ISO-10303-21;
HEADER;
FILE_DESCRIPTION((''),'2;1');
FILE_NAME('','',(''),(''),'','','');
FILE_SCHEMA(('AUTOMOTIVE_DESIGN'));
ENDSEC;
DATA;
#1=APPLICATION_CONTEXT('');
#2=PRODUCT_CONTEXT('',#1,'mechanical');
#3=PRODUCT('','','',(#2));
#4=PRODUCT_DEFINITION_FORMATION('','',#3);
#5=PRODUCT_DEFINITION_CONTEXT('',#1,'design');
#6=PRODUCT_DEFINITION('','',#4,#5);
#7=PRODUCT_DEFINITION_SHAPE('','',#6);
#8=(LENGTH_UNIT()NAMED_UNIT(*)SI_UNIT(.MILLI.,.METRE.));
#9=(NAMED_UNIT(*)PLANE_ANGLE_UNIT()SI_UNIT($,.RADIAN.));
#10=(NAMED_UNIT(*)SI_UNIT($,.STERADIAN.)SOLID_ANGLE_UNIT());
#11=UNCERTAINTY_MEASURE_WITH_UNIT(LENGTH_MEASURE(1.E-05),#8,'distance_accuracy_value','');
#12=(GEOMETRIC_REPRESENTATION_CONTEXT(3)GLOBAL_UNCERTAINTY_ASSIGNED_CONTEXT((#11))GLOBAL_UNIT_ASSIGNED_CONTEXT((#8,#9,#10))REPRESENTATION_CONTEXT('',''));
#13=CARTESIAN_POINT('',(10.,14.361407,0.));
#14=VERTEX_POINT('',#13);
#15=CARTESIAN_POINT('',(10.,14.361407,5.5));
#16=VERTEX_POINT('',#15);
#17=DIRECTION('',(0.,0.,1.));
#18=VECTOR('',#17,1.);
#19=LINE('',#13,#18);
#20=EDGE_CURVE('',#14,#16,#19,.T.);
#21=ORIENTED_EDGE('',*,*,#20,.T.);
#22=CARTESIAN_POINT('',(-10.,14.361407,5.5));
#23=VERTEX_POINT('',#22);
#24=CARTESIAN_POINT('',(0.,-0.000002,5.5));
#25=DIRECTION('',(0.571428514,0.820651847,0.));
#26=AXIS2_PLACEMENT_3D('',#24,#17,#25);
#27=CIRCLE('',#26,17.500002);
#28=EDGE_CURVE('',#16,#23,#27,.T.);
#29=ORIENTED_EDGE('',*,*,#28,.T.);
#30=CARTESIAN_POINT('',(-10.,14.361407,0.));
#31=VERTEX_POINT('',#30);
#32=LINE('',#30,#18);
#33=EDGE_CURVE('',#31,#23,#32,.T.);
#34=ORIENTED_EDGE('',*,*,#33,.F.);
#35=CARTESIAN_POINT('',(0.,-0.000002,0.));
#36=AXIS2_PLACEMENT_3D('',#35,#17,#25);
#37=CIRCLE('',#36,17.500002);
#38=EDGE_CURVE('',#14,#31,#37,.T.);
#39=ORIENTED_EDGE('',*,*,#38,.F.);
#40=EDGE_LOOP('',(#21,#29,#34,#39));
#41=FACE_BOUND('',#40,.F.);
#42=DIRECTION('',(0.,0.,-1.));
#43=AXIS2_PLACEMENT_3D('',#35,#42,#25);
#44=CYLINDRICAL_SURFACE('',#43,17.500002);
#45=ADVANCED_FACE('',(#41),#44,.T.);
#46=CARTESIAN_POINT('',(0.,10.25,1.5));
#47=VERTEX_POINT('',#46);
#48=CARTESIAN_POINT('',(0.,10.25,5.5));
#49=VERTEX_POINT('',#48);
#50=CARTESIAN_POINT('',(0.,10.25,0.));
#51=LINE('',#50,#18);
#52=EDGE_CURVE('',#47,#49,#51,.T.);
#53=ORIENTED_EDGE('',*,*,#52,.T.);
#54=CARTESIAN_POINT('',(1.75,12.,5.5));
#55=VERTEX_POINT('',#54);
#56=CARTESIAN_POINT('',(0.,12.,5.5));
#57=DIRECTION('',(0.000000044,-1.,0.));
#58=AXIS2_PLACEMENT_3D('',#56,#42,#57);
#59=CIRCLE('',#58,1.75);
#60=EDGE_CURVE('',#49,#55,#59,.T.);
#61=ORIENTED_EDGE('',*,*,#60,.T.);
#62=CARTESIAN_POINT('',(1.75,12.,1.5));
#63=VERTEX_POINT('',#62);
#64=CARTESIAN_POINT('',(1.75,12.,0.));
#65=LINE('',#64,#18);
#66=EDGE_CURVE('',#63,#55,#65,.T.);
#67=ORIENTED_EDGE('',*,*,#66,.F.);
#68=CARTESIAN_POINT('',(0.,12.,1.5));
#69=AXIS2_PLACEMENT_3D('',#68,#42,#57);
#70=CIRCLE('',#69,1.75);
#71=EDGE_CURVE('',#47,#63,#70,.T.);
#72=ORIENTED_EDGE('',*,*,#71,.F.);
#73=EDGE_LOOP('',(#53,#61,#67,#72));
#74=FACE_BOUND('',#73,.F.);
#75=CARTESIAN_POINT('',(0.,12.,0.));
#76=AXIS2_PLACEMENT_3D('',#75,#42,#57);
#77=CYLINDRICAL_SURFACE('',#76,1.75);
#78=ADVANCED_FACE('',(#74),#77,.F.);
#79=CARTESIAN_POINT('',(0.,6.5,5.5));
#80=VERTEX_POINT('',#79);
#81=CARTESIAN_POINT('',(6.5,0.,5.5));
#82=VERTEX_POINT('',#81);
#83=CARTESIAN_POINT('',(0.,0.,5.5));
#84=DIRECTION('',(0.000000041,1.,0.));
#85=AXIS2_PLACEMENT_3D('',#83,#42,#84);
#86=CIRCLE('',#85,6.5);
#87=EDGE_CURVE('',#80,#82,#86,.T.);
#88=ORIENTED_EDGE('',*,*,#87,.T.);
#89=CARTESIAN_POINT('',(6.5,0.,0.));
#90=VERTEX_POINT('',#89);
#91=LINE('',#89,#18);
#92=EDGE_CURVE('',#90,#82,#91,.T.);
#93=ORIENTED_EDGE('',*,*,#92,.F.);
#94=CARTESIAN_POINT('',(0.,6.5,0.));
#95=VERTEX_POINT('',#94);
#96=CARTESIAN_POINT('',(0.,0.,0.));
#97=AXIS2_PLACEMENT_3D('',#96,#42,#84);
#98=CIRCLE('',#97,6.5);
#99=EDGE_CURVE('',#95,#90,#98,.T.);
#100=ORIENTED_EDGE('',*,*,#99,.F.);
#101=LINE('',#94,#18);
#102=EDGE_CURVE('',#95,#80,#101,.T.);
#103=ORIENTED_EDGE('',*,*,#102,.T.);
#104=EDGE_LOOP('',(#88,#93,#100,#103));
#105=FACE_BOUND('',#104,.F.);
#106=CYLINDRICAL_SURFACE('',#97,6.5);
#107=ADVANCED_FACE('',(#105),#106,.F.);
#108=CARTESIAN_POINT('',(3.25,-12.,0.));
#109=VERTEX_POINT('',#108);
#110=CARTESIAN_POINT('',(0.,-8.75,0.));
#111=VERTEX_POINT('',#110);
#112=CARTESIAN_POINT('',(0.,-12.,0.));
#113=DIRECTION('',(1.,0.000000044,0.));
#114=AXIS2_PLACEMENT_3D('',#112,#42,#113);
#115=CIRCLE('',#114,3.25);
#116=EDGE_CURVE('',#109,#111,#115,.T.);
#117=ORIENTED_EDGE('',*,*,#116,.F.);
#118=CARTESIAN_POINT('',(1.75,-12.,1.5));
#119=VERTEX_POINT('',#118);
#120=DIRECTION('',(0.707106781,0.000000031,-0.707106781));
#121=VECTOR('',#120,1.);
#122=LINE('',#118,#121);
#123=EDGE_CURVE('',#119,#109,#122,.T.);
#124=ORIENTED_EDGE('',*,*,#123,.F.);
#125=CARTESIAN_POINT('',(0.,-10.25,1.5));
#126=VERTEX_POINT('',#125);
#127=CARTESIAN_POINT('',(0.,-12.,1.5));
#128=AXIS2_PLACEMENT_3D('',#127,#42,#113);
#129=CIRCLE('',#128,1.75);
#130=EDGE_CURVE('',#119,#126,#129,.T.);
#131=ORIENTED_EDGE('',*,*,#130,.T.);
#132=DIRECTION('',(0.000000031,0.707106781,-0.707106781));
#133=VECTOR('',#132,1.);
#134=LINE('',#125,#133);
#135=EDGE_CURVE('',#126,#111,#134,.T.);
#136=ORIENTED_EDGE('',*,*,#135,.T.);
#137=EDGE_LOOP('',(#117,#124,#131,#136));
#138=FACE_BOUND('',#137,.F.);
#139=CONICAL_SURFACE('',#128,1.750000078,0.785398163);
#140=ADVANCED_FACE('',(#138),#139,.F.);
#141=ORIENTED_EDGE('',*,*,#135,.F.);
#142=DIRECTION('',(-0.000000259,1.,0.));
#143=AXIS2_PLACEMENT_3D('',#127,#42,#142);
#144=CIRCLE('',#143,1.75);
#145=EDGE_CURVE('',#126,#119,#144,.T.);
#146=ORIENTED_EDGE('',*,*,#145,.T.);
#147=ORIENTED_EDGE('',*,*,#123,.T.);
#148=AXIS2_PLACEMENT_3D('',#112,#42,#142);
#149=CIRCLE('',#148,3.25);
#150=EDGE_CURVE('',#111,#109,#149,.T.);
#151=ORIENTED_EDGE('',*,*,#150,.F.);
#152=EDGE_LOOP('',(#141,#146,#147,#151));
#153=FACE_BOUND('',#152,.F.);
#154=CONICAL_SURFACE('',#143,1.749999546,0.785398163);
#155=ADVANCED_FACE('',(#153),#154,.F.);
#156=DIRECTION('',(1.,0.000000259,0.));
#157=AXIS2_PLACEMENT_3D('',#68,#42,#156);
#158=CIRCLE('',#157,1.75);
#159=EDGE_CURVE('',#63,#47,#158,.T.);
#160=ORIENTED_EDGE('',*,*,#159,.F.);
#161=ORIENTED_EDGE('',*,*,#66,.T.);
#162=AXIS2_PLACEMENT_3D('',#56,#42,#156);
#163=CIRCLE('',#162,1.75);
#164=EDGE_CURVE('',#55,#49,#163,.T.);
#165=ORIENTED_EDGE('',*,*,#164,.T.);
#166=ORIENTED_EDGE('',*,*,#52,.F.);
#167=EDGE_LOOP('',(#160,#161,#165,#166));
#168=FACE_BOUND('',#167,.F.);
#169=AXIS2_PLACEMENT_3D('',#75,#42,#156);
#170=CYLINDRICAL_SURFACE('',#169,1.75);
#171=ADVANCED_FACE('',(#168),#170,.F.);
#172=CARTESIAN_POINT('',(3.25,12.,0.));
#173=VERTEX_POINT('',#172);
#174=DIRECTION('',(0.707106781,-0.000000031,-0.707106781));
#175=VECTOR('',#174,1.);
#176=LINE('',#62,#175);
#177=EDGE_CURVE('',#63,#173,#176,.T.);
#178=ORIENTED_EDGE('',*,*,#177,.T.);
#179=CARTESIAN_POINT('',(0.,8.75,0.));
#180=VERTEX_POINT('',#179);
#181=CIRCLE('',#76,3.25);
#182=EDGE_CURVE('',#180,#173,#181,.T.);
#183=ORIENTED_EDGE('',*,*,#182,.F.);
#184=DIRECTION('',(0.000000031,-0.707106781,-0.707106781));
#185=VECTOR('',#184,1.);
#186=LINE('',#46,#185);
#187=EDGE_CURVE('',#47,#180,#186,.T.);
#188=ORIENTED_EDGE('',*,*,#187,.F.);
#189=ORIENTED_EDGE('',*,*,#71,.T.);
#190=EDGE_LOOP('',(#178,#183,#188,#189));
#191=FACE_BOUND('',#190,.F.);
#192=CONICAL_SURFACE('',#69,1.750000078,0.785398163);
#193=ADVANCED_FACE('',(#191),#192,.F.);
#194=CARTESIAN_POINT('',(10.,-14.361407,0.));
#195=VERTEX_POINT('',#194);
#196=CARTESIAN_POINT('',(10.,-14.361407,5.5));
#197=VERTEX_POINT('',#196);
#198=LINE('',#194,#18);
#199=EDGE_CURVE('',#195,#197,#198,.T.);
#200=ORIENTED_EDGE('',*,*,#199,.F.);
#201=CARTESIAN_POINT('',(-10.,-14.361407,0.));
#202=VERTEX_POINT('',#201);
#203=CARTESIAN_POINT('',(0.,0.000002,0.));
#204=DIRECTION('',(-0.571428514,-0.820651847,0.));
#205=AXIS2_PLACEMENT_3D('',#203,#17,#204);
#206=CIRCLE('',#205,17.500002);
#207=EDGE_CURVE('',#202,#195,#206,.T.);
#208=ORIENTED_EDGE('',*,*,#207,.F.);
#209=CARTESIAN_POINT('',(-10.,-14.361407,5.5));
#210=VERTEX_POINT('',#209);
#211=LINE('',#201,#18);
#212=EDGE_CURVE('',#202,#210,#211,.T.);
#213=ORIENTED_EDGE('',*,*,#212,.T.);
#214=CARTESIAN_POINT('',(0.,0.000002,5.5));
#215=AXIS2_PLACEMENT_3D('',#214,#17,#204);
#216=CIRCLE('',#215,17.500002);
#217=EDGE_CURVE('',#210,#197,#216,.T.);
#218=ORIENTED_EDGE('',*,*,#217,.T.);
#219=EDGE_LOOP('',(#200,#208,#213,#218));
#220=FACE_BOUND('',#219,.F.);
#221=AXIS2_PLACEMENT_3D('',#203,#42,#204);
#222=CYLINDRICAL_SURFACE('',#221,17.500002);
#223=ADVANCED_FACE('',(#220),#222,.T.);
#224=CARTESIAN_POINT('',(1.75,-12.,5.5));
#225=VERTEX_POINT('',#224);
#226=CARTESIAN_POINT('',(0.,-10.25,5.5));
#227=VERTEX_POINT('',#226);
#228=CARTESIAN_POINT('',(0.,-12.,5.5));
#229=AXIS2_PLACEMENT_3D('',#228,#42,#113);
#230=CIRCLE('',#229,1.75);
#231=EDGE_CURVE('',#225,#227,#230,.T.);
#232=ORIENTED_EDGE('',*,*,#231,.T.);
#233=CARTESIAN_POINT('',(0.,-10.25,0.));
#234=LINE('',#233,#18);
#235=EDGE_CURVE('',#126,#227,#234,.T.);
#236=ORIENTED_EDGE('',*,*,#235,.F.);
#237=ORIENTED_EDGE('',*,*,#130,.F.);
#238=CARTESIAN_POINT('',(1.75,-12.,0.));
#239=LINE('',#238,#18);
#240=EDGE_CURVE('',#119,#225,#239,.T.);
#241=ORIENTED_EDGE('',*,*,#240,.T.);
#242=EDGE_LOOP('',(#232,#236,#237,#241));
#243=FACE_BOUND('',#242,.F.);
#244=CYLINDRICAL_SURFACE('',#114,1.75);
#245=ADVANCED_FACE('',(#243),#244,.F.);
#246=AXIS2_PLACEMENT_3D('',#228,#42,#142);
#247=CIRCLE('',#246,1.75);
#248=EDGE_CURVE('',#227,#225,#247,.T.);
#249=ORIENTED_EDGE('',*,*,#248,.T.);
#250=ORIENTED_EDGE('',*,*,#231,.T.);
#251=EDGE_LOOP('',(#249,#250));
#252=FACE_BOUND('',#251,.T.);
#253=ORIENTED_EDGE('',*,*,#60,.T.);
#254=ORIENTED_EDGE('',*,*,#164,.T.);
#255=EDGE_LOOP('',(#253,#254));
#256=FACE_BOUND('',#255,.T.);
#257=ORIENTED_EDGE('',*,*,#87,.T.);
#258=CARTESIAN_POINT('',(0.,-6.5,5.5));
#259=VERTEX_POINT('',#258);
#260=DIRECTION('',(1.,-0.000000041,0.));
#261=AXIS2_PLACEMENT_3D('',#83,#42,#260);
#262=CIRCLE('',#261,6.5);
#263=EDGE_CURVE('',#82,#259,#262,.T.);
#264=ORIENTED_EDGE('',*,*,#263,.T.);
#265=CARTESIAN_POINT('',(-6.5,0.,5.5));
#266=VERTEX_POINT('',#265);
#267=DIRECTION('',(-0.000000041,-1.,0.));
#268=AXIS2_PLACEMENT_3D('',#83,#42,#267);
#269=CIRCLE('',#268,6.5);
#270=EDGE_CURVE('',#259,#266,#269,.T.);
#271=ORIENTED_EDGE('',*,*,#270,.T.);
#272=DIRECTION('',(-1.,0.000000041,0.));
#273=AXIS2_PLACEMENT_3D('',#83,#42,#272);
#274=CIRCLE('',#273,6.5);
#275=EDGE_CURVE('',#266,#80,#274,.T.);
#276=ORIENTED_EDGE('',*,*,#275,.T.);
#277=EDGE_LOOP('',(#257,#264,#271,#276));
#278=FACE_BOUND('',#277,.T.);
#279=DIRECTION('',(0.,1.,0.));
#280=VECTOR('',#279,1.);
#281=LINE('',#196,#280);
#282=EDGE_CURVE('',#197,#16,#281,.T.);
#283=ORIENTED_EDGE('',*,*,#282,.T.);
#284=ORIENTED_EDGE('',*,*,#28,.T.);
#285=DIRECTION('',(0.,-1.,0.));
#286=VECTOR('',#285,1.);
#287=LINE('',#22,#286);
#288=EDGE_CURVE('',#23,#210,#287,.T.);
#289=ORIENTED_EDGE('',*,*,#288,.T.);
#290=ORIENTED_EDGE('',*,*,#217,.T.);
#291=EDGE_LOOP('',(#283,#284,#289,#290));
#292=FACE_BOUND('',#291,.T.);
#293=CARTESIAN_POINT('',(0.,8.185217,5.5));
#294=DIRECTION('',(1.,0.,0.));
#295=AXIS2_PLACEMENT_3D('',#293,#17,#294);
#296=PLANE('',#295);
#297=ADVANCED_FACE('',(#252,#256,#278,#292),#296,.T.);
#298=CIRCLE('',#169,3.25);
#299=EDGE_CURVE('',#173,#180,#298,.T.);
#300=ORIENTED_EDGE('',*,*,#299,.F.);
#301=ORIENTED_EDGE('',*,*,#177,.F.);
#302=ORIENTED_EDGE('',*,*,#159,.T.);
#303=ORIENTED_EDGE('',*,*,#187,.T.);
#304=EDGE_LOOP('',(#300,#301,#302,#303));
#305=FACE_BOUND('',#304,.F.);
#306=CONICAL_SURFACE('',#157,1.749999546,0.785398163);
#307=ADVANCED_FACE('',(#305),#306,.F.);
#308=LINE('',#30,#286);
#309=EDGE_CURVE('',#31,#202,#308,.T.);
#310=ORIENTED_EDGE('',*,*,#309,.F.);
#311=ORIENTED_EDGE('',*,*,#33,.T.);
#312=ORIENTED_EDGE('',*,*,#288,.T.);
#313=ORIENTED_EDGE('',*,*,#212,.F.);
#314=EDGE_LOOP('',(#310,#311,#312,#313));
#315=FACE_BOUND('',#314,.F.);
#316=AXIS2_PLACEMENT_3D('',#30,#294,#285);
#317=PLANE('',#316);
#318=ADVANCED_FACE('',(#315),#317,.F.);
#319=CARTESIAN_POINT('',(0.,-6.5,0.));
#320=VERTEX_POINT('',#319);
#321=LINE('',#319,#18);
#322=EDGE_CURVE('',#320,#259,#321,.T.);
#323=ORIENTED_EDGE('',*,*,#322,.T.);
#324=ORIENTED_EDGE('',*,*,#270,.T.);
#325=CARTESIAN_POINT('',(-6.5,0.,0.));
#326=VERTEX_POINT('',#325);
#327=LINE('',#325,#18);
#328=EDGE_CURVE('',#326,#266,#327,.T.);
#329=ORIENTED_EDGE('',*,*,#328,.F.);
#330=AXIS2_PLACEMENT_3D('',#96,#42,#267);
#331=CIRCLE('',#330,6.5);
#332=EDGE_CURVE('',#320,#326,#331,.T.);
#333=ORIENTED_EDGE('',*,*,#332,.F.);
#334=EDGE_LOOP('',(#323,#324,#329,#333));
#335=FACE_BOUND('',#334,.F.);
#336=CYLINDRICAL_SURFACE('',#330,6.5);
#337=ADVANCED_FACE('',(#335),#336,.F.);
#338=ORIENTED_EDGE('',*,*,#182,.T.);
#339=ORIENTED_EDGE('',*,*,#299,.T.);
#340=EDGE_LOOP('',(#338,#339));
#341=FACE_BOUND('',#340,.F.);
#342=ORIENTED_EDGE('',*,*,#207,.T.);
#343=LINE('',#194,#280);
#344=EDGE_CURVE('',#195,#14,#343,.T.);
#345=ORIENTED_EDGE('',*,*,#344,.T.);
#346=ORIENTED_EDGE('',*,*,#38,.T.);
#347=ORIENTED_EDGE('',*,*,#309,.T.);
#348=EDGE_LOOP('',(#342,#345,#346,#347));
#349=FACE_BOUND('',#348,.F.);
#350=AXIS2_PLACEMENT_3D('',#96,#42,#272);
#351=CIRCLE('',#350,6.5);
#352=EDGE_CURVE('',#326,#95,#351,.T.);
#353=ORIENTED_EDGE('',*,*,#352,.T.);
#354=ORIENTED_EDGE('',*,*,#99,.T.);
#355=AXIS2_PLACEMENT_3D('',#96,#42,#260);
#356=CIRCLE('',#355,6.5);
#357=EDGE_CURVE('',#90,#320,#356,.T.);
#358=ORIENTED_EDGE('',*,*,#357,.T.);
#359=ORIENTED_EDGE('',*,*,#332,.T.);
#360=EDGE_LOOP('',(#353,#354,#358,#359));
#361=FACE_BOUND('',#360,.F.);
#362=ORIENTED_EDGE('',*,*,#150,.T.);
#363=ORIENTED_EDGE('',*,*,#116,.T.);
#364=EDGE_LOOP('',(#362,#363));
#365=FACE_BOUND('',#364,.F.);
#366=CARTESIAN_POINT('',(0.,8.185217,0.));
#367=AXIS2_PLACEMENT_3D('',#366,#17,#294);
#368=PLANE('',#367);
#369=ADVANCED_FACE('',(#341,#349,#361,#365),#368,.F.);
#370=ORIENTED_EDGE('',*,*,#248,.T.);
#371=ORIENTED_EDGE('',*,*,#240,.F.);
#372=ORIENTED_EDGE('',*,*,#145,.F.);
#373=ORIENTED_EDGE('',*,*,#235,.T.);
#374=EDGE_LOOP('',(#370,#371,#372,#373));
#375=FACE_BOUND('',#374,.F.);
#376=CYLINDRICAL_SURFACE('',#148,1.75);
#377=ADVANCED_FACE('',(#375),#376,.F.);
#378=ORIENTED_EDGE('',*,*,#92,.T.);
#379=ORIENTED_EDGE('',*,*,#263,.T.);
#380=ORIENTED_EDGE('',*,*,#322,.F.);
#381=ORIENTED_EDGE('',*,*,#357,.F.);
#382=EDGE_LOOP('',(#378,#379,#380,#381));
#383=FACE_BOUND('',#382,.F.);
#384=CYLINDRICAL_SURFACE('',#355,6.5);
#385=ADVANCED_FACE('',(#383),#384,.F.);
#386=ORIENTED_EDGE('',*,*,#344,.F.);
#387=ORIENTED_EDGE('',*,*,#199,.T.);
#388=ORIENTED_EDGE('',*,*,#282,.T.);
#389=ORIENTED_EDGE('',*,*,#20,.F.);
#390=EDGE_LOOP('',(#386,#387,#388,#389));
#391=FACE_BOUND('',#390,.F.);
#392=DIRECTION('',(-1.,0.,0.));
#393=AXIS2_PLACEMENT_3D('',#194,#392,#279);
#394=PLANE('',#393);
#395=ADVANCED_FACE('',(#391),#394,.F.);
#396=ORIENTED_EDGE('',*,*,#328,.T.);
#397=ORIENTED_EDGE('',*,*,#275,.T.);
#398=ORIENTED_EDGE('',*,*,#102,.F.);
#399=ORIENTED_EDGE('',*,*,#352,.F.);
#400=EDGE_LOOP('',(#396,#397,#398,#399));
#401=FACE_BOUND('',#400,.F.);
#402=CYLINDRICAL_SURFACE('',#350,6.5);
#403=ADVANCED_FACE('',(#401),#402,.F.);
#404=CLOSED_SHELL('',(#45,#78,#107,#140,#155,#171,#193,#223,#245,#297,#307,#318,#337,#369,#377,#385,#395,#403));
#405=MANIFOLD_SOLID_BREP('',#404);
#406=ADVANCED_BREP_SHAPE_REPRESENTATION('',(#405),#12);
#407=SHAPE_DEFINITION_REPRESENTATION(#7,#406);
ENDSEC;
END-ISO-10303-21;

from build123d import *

# Parameters (mm, degrees)
F1_DEPTH = 5.5
F2_SIZE  = 1.5


with BuildPart() as f1:
    # F0 (on Top) → F1 (new body)
    with BuildSketch(Plane.XY):
        with BuildLine():
            Line((10, 0), (10, 14.361407))
            ThreePointArc((10, 14.361407), (0, 17.5), (-10, 14.361407))
            Line((-10, 14.361407), (-10, 0))
            Line((-10, 0), (-6.5, 0))
            ThreePointArc((-6.5, 0), (-4.596194, 4.596194), (0, 6.5))
            ThreePointArc((0, 6.5), (4.596194, 4.596194), (6.5, 0))
            Line((6.5, 0), (10, 0))
        make_face()
        with BuildLine():
            ThreePointArc((1.75, 12), (1.237437, 10.762563), (0, 10.25))
            ThreePointArc((0, 10.25), (-1.237437, 13.237437), (1.75, 12))
        make_face(mode=Mode.SUBTRACT)
        with BuildLine():
            ThreePointArc((-10, -14.361407), (0, -17.5), (10, -14.361407))
            Line((10, -14.361407), (10, 0))
            Line((10, 0), (6.5, 0))
            ThreePointArc((6.5, 0), (4.596194, -4.596194), (0, -6.5))
            ThreePointArc((0, -6.5), (-4.596194, -4.596194), (-6.5, 0))
            Line((-6.5, 0), (-10, 0))
            Line((-10, 0), (-10, -14.361407))
        make_face()
        with BuildLine():
            ThreePointArc((1.75, -12), (-1.237437, -13.237437), (0, -10.25))
            ThreePointArc((0, -10.25), (1.237437, -10.762563), (1.75, -12))
        make_face(mode=Mode.SUBTRACT)
    extrude(amount=F1_DEPTH)

    # F2
    f2_edges = [f1.edges().sort_by_distance(p)[0] for p in [
        (0, -13.75, 0),
        (-1.75, 12, 0),
    ]]
    chamfer(f2_edges, length=F2_SIZE)


solid = f1.part
